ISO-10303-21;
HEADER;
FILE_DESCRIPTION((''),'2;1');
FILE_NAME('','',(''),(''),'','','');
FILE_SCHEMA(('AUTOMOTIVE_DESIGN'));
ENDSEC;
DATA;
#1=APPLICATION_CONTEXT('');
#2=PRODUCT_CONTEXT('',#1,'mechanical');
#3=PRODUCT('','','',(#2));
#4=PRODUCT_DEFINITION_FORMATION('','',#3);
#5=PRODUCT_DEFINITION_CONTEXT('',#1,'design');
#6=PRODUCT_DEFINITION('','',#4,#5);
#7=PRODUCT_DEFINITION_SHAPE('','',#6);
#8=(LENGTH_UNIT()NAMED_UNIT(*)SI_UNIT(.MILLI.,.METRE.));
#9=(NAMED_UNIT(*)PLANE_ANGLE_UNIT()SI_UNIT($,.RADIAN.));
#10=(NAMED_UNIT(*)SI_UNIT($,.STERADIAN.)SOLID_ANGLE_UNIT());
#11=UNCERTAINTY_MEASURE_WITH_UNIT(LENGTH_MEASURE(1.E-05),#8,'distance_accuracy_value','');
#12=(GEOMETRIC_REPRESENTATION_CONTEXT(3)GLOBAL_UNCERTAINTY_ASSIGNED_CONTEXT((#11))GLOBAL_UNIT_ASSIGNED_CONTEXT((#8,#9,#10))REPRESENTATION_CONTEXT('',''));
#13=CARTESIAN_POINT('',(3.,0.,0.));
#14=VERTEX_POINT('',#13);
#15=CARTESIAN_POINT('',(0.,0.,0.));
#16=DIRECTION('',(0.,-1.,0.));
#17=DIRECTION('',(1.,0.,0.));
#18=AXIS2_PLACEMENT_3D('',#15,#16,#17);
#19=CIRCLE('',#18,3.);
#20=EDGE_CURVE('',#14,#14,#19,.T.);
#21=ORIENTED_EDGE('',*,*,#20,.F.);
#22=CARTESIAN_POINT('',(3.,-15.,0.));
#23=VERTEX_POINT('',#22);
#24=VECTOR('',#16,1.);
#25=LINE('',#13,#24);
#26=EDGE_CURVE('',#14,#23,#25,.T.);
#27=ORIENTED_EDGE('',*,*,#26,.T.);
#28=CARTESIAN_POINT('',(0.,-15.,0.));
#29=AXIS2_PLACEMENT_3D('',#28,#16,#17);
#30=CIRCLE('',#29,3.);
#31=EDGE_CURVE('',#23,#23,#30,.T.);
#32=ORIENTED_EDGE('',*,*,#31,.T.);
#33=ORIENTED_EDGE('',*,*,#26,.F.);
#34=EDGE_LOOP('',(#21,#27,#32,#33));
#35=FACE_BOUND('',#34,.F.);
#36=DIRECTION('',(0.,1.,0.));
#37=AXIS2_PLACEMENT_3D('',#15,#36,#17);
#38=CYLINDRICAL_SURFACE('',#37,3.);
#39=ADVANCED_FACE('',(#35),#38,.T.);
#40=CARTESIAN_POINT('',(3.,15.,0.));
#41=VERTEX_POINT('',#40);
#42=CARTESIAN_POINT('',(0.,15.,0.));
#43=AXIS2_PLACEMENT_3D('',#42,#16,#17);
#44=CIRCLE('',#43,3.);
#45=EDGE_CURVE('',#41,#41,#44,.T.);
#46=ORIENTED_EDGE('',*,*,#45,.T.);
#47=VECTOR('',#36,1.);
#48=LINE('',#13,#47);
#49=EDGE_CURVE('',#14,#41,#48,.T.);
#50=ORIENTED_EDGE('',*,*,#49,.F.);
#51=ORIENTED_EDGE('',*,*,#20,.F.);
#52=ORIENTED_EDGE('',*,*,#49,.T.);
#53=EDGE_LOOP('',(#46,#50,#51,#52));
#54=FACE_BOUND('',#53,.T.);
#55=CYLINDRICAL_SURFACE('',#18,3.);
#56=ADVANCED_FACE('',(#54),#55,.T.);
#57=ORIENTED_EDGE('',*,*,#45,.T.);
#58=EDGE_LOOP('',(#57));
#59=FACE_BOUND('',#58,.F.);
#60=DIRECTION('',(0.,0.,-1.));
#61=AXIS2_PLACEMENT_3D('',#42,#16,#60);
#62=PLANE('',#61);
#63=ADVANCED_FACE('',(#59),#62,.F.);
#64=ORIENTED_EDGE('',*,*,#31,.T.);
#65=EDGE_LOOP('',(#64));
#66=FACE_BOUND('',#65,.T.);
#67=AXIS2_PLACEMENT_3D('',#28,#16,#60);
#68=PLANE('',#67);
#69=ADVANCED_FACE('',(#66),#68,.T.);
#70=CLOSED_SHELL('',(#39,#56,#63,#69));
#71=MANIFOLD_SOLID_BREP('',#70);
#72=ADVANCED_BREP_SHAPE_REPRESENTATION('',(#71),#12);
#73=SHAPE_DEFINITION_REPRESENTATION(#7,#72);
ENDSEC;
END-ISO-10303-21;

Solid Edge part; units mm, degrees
sketch "Sketch1" plane through (0, 0, 0) normal (0, -1, 0) x (1, 0, 0)
  circle A0 centre (0, 0) radius 3
extrude "Protrusion1" add sketch "Sketch1" along normal mid plane 30
